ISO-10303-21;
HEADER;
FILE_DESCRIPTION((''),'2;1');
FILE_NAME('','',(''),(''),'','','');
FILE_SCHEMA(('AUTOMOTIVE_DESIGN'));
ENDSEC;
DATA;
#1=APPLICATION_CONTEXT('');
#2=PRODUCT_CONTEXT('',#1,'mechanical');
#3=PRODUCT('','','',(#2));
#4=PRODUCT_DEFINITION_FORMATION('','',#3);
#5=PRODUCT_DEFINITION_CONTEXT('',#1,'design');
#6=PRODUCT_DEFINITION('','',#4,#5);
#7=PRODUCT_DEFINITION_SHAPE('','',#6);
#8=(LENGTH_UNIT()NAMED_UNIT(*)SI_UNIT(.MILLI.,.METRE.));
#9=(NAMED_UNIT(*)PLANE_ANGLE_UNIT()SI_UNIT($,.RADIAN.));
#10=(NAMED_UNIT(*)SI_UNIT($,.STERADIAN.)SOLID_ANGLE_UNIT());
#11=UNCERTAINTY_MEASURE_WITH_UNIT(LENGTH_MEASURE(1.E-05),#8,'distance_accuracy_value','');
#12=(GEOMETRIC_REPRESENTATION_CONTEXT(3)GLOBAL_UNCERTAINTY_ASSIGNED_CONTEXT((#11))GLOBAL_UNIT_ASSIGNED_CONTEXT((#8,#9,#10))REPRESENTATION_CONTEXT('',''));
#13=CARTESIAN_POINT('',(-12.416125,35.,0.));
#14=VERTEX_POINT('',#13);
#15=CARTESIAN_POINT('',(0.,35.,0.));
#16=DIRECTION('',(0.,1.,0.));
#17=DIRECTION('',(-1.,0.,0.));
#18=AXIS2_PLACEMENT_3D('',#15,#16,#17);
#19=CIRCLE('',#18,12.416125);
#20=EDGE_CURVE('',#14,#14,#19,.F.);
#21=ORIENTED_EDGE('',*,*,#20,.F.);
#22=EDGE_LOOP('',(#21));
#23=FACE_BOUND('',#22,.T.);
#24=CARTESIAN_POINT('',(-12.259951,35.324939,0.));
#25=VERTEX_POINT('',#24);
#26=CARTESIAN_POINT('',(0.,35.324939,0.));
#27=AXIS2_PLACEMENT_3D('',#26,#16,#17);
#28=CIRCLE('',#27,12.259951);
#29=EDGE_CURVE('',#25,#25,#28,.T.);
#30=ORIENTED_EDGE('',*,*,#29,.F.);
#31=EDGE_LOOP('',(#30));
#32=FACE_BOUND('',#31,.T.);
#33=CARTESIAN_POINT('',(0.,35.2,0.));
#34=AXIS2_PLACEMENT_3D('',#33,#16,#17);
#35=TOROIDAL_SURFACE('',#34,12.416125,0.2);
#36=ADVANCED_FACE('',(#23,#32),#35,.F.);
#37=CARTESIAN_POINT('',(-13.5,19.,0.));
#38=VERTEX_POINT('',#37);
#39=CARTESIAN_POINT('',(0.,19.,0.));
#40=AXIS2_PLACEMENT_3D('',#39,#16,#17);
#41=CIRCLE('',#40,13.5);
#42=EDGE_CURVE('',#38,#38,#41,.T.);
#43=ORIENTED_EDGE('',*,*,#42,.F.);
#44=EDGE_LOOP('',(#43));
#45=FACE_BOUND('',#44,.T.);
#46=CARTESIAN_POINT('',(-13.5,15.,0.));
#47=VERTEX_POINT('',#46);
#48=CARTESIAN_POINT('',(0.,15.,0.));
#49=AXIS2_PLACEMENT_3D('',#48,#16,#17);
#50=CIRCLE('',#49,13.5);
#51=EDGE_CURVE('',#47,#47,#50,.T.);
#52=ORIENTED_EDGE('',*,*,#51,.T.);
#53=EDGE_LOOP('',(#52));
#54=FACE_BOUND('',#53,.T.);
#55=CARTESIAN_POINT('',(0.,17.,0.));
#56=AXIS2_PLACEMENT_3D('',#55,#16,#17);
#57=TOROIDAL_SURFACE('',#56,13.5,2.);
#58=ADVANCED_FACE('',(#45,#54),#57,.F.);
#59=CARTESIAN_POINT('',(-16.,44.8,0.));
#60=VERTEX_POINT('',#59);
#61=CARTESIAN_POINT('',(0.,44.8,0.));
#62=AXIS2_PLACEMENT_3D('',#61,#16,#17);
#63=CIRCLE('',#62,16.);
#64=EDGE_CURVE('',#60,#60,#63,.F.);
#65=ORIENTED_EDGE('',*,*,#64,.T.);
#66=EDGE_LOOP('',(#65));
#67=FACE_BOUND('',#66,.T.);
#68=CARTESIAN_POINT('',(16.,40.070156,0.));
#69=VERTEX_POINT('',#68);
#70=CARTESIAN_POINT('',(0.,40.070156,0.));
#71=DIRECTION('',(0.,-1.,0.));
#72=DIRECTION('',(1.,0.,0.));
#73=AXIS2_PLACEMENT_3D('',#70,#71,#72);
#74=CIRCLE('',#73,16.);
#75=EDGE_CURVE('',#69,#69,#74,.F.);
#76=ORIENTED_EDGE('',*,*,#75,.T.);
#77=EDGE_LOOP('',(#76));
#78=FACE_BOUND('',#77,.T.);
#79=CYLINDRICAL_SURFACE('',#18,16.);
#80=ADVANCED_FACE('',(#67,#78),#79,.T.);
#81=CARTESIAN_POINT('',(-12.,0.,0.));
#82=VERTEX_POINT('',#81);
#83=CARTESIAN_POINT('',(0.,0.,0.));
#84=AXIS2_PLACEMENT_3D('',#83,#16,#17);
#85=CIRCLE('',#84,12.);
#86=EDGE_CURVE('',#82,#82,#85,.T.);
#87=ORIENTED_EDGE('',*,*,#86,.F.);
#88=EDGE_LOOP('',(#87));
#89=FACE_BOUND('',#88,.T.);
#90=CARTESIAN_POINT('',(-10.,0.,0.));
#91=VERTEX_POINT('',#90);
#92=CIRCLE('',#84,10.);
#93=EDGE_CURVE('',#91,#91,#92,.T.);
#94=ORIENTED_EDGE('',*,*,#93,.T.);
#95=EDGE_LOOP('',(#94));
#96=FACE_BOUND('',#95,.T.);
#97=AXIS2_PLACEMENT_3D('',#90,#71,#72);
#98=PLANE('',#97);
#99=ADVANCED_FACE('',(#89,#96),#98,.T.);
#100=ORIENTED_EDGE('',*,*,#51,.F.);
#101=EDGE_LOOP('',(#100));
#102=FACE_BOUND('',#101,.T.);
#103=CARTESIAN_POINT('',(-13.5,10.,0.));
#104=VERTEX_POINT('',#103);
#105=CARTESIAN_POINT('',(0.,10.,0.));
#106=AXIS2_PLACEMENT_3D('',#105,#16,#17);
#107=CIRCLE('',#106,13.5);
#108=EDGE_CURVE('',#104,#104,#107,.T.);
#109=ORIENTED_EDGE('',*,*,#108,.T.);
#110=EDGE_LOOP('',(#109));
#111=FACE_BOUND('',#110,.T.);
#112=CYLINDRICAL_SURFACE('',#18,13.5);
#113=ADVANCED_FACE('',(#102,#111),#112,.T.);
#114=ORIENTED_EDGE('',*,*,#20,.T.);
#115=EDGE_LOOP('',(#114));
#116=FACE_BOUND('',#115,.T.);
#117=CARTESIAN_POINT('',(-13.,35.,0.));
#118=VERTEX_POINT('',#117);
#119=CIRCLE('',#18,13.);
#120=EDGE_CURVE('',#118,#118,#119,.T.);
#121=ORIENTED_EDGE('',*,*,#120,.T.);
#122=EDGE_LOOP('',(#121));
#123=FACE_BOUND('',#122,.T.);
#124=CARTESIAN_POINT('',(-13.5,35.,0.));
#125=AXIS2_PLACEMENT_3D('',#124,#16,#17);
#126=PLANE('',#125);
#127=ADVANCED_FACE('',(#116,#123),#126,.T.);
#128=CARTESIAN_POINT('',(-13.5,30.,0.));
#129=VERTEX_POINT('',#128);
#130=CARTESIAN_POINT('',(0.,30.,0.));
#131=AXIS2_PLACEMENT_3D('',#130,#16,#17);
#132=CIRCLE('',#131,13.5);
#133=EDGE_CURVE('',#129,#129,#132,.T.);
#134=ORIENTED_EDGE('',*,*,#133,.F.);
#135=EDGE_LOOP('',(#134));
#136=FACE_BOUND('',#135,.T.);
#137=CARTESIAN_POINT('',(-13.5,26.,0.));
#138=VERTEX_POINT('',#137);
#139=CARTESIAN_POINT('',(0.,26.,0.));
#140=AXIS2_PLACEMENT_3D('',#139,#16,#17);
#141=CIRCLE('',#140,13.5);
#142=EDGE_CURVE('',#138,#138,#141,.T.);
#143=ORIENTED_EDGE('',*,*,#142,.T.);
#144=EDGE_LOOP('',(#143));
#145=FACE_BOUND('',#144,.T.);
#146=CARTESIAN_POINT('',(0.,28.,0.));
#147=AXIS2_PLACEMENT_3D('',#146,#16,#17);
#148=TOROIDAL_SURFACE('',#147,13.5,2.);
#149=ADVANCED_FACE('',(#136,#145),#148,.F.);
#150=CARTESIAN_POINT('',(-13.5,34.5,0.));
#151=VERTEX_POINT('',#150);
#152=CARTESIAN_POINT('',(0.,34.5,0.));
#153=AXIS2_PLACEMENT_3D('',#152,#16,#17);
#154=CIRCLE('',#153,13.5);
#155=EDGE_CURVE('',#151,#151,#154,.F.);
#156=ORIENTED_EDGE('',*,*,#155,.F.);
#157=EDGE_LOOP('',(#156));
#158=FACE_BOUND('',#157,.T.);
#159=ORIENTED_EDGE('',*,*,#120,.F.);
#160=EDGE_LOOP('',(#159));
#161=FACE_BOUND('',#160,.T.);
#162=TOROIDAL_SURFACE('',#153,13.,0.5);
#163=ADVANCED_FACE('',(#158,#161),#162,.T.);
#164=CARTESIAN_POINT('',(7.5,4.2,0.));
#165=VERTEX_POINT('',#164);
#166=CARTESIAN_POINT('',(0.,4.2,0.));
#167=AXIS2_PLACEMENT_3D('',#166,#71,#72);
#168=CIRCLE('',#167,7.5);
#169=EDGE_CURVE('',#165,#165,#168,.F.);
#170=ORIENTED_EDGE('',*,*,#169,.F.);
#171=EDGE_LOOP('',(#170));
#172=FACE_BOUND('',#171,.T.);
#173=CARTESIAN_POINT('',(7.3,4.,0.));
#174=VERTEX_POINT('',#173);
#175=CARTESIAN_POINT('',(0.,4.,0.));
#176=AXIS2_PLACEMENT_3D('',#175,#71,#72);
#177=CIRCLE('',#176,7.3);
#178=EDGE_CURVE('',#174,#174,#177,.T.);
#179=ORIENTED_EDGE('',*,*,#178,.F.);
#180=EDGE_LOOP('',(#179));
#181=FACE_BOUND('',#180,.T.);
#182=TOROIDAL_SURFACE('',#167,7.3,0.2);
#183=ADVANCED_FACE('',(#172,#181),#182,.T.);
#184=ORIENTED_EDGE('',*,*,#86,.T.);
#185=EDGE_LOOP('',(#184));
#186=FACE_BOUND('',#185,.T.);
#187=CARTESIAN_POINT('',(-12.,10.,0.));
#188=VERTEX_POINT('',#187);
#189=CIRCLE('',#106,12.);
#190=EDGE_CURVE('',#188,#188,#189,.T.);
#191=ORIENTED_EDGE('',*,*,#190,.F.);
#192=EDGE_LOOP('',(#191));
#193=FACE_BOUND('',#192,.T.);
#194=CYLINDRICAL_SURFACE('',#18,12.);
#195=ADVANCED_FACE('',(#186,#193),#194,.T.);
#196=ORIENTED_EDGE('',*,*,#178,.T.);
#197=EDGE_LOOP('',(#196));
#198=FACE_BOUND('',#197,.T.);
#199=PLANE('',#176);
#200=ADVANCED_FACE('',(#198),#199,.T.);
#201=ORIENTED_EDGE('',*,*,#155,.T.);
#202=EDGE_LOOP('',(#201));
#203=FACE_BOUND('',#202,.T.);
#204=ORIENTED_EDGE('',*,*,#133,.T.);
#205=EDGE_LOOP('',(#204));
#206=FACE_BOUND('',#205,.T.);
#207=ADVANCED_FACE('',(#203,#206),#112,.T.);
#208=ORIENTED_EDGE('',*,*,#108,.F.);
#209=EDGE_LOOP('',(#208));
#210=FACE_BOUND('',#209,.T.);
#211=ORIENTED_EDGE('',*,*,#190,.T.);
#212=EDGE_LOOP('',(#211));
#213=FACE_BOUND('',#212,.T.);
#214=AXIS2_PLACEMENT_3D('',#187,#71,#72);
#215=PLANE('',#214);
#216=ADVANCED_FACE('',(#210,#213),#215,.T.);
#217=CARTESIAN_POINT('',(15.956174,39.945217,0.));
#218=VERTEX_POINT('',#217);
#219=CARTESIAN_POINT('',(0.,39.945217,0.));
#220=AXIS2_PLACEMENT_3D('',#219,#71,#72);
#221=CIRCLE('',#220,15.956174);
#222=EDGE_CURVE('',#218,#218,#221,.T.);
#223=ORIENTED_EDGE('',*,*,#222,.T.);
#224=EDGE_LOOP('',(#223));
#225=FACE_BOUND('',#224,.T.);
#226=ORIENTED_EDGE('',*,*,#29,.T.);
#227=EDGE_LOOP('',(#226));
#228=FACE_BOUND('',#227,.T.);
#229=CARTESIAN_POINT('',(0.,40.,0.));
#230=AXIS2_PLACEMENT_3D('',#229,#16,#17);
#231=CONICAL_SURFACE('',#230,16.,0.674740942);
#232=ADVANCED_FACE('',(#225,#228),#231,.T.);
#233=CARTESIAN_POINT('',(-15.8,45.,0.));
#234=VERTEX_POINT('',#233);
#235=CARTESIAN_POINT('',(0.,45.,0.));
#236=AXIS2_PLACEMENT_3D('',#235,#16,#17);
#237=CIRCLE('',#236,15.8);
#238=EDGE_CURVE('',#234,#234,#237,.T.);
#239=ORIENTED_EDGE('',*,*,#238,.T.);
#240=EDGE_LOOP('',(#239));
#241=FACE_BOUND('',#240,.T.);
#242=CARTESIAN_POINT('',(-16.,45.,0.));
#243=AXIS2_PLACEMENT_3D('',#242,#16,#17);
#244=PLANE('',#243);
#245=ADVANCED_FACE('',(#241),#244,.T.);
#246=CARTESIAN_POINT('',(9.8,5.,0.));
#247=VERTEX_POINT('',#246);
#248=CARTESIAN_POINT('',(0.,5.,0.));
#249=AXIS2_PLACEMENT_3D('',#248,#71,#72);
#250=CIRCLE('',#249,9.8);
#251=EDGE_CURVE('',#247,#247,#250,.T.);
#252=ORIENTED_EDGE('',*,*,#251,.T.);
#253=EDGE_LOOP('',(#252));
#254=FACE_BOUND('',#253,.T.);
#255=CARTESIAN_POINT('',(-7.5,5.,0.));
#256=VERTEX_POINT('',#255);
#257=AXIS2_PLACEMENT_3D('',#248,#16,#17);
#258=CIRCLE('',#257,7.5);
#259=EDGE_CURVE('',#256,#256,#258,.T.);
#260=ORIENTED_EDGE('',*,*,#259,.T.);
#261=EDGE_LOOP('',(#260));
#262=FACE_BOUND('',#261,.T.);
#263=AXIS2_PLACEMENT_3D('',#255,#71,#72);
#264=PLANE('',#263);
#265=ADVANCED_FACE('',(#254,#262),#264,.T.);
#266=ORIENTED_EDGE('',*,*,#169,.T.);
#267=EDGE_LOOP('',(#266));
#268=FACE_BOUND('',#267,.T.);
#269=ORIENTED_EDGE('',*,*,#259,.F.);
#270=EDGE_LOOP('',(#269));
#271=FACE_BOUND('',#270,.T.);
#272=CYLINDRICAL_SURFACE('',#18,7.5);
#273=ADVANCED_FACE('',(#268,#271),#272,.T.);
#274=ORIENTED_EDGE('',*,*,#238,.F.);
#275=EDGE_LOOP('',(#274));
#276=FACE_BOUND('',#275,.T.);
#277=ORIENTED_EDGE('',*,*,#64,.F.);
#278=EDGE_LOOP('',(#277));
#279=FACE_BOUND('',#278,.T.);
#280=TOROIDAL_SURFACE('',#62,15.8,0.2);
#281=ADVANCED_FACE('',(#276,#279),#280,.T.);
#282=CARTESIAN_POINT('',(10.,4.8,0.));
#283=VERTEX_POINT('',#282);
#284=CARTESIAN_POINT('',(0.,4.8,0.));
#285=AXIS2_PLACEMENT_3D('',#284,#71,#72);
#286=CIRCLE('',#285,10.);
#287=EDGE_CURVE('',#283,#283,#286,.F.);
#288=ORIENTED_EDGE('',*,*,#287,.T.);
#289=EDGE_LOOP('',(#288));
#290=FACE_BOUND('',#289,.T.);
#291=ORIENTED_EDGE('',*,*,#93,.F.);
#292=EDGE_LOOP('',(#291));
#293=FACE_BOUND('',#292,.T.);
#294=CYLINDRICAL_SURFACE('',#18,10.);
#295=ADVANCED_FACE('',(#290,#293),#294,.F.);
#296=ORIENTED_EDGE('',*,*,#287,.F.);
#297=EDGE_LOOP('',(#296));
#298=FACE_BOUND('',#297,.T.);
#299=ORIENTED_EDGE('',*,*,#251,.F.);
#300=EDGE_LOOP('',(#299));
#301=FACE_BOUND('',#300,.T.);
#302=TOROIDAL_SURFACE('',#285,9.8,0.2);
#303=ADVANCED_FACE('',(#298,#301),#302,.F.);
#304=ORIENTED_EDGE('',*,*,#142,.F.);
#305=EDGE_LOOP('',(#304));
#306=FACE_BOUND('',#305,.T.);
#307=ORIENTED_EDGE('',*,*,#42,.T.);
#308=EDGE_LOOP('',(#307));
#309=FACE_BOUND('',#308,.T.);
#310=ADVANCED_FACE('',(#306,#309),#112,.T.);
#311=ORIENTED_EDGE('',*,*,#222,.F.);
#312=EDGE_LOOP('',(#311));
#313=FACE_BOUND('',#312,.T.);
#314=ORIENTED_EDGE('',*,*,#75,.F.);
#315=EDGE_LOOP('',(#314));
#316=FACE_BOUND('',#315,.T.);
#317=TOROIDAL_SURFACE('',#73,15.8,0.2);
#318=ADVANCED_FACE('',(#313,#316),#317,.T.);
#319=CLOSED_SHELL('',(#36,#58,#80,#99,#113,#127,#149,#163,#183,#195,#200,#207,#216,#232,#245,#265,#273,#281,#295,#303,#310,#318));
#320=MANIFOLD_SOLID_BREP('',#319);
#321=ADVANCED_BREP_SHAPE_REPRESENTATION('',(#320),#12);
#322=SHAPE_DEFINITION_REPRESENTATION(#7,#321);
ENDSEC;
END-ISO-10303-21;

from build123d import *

# Parameters (mm, degrees)
CONG_2_R = 0.5
CONG_3_R = 0.2


with BuildPart() as part:
    # Esquisse1 → Révolution1 (revolve)
    with BuildSketch(Plane.XY):
        with BuildLine():
            Line((0, 4), (-7.5, 4))
            Line((-7.5, 4), (-7.5, 5))
            Line((-7.5, 5), (-10, 5))
            Line((-10, 5), (-10, 0))
            Line((-10, 0), (-12, 0))
            Line((-12, 0), (-12, 10))
            Line((-12, 10), (-13.5, 10))
            Line((-13.5, 10), (-13.5, 15))
            ThreePointArc((-13.5, 15), (-11.5, 17), (-13.5, 19))
            Line((-13.5, 19), (-13.5, 26))
            ThreePointArc((-13.5, 26), (-11.5, 28), (-13.5, 30))
            Line((-13.5, 30), (-13.5, 35))
            Line((-13.5, 35), (-12, 35))
            Line((-12, 35), (-16, 40))
            Line((-16, 40), (-16, 45))
            Line((-16, 45), (0, 45))
            Line((0, 45), (0, 40))
            Line((0, 40), (0, 35))
            Line((0, 35), (0, 4))
        make_face()
    revolve(axis=Axis((0, 35, 0), (0, -1, 0)))

    # Congé2
    cong_2_edges = [part.edges().sort_by_distance(p)[0] for p in [
        (13.5, 35, 0),
    ]]
    fillet(cong_2_edges, radius=CONG_2_R)

    # Congé3
    cong_3_edges = [part.edges().sort_by_distance(p)[0] for p in [
        (16, 45, 0),
        (16, 40, 0),
        (12, 35, 0),
        (10, 5, 0),
        (7.5, 4, 0),
    ]]
    fillet(cong_3_edges, radius=CONG_3_R)


solid = part.part
